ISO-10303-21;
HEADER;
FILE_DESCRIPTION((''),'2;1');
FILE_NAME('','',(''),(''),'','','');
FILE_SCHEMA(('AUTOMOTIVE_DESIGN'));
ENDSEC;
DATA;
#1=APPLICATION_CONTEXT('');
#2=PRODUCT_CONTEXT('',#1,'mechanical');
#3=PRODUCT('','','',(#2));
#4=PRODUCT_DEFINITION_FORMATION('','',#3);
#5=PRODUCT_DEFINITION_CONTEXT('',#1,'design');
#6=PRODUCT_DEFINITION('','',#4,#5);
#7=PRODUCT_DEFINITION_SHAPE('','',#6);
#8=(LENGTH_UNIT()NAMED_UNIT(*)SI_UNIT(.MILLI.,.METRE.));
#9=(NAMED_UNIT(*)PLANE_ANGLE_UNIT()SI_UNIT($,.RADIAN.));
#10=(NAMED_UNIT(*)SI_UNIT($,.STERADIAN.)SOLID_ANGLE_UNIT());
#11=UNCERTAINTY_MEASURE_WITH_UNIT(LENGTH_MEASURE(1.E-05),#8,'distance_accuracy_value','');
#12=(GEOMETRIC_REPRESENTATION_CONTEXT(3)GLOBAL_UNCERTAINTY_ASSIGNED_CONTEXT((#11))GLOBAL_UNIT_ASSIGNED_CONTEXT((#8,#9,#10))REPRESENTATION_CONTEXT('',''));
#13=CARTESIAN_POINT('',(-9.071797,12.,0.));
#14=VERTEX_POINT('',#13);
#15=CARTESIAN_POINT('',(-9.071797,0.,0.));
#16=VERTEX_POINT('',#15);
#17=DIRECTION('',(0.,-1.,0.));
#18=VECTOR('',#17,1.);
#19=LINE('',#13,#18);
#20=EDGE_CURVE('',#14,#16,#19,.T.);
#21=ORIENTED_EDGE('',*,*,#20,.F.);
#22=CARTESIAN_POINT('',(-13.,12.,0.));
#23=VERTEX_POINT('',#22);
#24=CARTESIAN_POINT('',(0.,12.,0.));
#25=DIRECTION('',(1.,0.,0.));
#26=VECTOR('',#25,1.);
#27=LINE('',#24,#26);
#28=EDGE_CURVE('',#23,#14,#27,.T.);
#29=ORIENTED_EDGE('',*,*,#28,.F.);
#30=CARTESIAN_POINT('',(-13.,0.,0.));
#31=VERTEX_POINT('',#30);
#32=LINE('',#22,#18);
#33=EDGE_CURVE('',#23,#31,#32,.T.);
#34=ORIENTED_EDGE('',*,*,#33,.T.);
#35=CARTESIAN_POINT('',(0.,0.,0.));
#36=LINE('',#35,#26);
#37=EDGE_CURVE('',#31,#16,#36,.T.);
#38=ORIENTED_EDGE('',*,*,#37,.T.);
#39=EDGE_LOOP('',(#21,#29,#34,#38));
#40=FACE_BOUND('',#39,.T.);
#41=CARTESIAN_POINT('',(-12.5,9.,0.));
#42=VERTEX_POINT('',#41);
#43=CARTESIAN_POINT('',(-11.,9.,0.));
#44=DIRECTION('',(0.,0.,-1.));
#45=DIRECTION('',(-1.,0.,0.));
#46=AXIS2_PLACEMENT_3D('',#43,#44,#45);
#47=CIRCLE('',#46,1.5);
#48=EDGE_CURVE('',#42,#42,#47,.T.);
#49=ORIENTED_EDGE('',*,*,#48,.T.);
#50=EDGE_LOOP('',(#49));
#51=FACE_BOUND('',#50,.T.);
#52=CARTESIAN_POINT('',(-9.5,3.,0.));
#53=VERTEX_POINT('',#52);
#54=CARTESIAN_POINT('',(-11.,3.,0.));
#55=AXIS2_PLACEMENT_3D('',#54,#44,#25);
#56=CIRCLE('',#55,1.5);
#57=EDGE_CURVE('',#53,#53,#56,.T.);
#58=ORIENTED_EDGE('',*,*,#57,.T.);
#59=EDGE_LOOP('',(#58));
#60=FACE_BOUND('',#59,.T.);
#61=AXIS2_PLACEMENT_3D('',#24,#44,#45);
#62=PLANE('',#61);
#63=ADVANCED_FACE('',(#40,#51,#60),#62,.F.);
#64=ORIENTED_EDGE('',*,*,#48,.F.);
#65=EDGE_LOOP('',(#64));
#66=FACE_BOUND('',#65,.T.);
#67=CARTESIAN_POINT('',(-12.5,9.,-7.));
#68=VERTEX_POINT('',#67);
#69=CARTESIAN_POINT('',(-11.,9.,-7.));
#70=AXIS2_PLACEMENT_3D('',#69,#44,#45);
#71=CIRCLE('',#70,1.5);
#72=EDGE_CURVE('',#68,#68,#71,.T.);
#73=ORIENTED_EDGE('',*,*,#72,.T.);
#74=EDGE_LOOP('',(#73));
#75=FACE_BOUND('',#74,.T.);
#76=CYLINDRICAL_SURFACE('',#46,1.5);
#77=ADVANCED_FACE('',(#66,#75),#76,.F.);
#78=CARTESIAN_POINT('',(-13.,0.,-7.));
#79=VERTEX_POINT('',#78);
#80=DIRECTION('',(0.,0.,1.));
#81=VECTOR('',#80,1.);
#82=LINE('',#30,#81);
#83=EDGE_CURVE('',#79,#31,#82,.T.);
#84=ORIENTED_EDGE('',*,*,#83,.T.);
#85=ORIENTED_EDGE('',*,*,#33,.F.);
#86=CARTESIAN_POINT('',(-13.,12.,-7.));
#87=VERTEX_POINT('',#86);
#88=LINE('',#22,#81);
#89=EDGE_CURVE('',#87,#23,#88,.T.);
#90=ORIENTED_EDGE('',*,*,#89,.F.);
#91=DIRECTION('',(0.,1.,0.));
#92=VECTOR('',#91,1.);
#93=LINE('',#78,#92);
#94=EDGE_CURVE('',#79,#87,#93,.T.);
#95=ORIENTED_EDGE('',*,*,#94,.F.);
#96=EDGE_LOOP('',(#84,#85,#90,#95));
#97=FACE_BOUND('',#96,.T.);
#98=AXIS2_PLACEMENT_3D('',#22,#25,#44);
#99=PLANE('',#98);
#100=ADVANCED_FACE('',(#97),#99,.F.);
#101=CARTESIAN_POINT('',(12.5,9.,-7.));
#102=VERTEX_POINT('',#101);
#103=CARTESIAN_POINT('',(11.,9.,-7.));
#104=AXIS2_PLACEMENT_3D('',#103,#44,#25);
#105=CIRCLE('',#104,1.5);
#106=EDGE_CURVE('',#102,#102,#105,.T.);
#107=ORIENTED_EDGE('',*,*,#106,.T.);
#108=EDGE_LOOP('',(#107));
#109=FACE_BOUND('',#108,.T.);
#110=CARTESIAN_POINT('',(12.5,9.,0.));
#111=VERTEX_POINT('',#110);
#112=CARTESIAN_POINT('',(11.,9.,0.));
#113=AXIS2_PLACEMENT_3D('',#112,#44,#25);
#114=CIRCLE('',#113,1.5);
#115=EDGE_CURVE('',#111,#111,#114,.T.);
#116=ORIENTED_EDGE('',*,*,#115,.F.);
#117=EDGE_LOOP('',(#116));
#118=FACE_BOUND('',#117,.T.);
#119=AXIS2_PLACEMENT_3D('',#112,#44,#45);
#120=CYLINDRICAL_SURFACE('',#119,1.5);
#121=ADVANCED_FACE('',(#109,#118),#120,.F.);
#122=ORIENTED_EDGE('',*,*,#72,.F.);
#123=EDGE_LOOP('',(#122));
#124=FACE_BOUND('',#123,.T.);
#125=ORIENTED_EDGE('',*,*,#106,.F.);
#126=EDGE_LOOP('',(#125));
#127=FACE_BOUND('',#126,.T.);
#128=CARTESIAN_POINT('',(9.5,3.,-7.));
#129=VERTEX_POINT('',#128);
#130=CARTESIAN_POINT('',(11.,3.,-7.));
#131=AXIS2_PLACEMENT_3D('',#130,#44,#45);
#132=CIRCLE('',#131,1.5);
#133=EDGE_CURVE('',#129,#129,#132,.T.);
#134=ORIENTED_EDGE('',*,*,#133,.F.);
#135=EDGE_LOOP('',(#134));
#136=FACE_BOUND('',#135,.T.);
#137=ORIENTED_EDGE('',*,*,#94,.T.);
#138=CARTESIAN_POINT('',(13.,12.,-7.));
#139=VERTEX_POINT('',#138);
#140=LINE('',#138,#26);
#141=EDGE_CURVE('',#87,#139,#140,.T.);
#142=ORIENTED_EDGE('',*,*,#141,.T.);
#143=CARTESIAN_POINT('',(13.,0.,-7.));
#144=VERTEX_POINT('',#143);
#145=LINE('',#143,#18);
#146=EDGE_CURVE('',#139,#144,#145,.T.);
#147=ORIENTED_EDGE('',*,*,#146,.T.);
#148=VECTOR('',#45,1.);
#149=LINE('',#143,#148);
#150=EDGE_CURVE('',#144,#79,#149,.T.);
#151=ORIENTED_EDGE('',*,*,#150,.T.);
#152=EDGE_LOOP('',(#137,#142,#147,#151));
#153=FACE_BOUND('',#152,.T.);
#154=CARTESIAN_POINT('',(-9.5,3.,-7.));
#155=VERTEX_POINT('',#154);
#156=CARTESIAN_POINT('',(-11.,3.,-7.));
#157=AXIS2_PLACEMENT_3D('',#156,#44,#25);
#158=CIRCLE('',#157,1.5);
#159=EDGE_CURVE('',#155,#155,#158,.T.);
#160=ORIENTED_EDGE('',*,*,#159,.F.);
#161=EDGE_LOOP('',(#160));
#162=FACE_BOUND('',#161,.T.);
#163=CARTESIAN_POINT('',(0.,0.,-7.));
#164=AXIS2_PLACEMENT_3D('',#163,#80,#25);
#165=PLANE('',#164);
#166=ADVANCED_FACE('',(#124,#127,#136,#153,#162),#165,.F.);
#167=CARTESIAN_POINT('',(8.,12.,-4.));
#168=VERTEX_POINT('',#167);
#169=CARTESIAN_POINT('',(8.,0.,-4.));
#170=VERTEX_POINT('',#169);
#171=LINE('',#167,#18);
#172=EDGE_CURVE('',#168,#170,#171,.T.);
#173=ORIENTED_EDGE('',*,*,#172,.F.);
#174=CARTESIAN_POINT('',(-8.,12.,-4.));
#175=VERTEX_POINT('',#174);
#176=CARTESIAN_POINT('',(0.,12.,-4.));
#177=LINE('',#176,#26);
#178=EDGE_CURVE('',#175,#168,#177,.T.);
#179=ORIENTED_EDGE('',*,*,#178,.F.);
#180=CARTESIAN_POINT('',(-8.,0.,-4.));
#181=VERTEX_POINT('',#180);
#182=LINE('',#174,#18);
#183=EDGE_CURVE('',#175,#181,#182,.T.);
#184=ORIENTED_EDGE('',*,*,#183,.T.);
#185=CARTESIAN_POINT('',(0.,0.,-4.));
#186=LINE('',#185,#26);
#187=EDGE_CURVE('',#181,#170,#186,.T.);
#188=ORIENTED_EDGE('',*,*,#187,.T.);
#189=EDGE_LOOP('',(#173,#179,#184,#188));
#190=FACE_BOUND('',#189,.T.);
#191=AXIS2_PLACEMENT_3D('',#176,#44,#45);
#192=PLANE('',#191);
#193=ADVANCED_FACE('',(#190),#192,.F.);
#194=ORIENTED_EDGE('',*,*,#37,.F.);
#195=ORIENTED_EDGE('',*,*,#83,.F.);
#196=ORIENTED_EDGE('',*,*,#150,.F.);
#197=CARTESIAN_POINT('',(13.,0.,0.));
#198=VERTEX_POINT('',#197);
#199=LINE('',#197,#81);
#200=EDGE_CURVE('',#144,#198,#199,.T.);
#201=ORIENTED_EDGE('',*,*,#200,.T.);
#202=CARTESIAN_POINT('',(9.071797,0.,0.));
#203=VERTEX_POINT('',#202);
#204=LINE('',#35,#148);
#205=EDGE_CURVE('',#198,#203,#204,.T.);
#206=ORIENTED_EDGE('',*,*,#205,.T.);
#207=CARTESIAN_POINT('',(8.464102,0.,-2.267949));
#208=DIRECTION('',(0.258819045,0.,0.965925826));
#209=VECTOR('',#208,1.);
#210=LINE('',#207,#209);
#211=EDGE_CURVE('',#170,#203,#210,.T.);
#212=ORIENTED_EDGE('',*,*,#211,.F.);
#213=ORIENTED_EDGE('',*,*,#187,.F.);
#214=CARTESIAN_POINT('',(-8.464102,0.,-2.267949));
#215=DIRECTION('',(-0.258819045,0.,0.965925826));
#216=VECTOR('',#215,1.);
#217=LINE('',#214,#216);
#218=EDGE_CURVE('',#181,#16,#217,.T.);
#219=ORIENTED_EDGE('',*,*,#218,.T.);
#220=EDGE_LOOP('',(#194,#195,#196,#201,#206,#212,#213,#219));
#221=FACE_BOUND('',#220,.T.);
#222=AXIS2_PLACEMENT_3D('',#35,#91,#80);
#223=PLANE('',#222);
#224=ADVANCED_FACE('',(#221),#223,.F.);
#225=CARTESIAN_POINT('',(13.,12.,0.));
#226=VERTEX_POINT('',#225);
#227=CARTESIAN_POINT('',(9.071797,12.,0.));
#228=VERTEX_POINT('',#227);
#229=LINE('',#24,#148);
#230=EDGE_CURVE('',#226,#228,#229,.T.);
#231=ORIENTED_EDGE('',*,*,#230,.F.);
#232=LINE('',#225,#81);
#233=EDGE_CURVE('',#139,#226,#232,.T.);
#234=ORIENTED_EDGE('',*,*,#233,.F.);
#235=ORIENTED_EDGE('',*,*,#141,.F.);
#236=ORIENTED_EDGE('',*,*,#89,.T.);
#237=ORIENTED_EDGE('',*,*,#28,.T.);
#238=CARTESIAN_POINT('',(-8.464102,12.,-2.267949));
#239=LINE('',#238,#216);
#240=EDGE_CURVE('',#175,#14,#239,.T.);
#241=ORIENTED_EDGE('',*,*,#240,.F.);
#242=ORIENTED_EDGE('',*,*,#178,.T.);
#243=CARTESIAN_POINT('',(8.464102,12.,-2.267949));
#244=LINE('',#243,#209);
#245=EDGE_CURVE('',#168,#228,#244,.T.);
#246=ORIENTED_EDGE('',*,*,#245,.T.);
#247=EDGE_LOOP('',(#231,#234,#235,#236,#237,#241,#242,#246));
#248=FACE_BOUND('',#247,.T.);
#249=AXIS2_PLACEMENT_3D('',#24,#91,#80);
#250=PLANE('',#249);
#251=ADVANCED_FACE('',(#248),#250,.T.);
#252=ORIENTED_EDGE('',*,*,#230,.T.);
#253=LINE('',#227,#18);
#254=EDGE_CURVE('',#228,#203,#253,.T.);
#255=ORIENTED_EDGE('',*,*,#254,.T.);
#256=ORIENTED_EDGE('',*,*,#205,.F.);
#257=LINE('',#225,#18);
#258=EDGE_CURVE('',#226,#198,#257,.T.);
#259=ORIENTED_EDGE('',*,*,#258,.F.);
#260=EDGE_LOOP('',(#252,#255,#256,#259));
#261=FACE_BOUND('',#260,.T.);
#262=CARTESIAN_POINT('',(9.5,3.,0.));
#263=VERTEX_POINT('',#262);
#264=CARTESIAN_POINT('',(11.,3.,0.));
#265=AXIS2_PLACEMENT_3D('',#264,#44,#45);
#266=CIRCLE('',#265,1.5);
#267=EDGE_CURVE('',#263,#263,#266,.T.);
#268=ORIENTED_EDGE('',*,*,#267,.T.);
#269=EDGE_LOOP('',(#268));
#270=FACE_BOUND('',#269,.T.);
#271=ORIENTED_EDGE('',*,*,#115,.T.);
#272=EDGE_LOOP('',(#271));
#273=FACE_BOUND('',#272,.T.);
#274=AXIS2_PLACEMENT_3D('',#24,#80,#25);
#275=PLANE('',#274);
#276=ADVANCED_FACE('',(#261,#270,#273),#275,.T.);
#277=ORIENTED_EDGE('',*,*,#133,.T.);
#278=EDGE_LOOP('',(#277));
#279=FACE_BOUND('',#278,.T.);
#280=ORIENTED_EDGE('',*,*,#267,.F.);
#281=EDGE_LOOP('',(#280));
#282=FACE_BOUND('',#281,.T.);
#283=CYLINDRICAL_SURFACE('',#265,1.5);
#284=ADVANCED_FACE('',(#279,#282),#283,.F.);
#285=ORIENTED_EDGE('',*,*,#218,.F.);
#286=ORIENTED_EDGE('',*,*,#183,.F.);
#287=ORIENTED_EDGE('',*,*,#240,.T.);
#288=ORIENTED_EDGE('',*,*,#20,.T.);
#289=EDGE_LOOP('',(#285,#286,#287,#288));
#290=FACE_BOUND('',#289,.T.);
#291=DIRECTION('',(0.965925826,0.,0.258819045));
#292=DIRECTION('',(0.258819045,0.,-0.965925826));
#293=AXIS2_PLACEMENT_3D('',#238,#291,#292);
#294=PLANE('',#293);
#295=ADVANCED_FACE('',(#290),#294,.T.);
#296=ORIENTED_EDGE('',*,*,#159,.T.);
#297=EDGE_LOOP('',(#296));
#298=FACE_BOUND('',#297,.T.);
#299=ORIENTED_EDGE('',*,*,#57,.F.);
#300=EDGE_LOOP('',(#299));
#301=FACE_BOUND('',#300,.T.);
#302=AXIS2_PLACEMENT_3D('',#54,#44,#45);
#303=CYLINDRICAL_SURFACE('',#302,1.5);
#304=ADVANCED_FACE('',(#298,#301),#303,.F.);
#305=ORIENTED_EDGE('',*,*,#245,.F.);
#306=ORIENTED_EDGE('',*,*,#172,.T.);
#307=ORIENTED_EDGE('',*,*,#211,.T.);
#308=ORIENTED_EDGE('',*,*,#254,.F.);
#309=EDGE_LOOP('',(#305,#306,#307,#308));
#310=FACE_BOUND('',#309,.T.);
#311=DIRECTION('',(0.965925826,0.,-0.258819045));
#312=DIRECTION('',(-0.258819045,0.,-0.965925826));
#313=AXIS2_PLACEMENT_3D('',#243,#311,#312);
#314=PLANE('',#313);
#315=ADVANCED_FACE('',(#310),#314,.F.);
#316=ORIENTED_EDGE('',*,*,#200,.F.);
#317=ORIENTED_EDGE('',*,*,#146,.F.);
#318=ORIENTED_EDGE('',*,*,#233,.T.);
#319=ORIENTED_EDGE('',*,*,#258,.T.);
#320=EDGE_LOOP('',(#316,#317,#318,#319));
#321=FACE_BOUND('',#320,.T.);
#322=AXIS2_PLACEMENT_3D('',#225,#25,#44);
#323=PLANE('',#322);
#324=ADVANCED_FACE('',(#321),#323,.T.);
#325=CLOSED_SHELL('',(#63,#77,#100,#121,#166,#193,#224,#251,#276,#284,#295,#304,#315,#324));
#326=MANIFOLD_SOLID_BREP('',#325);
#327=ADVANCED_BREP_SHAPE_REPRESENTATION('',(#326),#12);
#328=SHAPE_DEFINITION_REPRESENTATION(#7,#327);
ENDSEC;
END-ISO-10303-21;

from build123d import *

# Parameters (mm, degrees)
EXTRUDE_1_DEPTH     = 12
SKETCH_3_W          = 26
SKETCH_3_H          = 12
CUT_EXTRUDE_1_DEPTH = 2
SKETCH_4_R          = 1.5
CUT_EXTRUDE_2_DEPTH = 7


with BuildPart() as part:
    # 草图2 → 凸台-拉伸1 (new body)
    with BuildSketch(Plane(origin=(0, 0, 0), x_dir=(1, 0, 0), z_dir=(0, 1, 0))):
        Polygon((-13, 0), (-9.07179677, 0), (-8, 4), (8, 4), (9.07179677, 0), (13, 0), (13, 9), (-13, 9), align=None)
    extrude(amount=EXTRUDE_1_DEPTH)

    # 草图3 → 切除-拉伸1 (cut)
    with BuildSketch(Plane(origin=(0, 0, -9), x_dir=(-1, 0, 0), z_dir=(0, 0, -1))):
        with Locations((0, 6)):
            Rectangle(SKETCH_3_W, SKETCH_3_H)
    extrude(amount=-CUT_EXTRUDE_1_DEPTH, mode=Mode.SUBTRACT)

    # 草图4 → 切除-拉伸2 (cut)
    with BuildSketch(Plane(origin=(0, 0, -7), x_dir=(-1, 0, 0), z_dir=(0, 0, -1))):
        with Locations((-11, 3)):
            Circle(SKETCH_4_R)
        with Locations(Location((11, 3, 0), (0, 0, 180))):
            Circle(SKETCH_4_R)
        with Locations((11, 9)):
            Circle(SKETCH_4_R)
        with Locations(Location((-11, 9, 0), (0, 0, 180))):
            Circle(SKETCH_4_R)
    extrude(amount=-CUT_EXTRUDE_2_DEPTH, mode=Mode.SUBTRACT)


solid = part.part
